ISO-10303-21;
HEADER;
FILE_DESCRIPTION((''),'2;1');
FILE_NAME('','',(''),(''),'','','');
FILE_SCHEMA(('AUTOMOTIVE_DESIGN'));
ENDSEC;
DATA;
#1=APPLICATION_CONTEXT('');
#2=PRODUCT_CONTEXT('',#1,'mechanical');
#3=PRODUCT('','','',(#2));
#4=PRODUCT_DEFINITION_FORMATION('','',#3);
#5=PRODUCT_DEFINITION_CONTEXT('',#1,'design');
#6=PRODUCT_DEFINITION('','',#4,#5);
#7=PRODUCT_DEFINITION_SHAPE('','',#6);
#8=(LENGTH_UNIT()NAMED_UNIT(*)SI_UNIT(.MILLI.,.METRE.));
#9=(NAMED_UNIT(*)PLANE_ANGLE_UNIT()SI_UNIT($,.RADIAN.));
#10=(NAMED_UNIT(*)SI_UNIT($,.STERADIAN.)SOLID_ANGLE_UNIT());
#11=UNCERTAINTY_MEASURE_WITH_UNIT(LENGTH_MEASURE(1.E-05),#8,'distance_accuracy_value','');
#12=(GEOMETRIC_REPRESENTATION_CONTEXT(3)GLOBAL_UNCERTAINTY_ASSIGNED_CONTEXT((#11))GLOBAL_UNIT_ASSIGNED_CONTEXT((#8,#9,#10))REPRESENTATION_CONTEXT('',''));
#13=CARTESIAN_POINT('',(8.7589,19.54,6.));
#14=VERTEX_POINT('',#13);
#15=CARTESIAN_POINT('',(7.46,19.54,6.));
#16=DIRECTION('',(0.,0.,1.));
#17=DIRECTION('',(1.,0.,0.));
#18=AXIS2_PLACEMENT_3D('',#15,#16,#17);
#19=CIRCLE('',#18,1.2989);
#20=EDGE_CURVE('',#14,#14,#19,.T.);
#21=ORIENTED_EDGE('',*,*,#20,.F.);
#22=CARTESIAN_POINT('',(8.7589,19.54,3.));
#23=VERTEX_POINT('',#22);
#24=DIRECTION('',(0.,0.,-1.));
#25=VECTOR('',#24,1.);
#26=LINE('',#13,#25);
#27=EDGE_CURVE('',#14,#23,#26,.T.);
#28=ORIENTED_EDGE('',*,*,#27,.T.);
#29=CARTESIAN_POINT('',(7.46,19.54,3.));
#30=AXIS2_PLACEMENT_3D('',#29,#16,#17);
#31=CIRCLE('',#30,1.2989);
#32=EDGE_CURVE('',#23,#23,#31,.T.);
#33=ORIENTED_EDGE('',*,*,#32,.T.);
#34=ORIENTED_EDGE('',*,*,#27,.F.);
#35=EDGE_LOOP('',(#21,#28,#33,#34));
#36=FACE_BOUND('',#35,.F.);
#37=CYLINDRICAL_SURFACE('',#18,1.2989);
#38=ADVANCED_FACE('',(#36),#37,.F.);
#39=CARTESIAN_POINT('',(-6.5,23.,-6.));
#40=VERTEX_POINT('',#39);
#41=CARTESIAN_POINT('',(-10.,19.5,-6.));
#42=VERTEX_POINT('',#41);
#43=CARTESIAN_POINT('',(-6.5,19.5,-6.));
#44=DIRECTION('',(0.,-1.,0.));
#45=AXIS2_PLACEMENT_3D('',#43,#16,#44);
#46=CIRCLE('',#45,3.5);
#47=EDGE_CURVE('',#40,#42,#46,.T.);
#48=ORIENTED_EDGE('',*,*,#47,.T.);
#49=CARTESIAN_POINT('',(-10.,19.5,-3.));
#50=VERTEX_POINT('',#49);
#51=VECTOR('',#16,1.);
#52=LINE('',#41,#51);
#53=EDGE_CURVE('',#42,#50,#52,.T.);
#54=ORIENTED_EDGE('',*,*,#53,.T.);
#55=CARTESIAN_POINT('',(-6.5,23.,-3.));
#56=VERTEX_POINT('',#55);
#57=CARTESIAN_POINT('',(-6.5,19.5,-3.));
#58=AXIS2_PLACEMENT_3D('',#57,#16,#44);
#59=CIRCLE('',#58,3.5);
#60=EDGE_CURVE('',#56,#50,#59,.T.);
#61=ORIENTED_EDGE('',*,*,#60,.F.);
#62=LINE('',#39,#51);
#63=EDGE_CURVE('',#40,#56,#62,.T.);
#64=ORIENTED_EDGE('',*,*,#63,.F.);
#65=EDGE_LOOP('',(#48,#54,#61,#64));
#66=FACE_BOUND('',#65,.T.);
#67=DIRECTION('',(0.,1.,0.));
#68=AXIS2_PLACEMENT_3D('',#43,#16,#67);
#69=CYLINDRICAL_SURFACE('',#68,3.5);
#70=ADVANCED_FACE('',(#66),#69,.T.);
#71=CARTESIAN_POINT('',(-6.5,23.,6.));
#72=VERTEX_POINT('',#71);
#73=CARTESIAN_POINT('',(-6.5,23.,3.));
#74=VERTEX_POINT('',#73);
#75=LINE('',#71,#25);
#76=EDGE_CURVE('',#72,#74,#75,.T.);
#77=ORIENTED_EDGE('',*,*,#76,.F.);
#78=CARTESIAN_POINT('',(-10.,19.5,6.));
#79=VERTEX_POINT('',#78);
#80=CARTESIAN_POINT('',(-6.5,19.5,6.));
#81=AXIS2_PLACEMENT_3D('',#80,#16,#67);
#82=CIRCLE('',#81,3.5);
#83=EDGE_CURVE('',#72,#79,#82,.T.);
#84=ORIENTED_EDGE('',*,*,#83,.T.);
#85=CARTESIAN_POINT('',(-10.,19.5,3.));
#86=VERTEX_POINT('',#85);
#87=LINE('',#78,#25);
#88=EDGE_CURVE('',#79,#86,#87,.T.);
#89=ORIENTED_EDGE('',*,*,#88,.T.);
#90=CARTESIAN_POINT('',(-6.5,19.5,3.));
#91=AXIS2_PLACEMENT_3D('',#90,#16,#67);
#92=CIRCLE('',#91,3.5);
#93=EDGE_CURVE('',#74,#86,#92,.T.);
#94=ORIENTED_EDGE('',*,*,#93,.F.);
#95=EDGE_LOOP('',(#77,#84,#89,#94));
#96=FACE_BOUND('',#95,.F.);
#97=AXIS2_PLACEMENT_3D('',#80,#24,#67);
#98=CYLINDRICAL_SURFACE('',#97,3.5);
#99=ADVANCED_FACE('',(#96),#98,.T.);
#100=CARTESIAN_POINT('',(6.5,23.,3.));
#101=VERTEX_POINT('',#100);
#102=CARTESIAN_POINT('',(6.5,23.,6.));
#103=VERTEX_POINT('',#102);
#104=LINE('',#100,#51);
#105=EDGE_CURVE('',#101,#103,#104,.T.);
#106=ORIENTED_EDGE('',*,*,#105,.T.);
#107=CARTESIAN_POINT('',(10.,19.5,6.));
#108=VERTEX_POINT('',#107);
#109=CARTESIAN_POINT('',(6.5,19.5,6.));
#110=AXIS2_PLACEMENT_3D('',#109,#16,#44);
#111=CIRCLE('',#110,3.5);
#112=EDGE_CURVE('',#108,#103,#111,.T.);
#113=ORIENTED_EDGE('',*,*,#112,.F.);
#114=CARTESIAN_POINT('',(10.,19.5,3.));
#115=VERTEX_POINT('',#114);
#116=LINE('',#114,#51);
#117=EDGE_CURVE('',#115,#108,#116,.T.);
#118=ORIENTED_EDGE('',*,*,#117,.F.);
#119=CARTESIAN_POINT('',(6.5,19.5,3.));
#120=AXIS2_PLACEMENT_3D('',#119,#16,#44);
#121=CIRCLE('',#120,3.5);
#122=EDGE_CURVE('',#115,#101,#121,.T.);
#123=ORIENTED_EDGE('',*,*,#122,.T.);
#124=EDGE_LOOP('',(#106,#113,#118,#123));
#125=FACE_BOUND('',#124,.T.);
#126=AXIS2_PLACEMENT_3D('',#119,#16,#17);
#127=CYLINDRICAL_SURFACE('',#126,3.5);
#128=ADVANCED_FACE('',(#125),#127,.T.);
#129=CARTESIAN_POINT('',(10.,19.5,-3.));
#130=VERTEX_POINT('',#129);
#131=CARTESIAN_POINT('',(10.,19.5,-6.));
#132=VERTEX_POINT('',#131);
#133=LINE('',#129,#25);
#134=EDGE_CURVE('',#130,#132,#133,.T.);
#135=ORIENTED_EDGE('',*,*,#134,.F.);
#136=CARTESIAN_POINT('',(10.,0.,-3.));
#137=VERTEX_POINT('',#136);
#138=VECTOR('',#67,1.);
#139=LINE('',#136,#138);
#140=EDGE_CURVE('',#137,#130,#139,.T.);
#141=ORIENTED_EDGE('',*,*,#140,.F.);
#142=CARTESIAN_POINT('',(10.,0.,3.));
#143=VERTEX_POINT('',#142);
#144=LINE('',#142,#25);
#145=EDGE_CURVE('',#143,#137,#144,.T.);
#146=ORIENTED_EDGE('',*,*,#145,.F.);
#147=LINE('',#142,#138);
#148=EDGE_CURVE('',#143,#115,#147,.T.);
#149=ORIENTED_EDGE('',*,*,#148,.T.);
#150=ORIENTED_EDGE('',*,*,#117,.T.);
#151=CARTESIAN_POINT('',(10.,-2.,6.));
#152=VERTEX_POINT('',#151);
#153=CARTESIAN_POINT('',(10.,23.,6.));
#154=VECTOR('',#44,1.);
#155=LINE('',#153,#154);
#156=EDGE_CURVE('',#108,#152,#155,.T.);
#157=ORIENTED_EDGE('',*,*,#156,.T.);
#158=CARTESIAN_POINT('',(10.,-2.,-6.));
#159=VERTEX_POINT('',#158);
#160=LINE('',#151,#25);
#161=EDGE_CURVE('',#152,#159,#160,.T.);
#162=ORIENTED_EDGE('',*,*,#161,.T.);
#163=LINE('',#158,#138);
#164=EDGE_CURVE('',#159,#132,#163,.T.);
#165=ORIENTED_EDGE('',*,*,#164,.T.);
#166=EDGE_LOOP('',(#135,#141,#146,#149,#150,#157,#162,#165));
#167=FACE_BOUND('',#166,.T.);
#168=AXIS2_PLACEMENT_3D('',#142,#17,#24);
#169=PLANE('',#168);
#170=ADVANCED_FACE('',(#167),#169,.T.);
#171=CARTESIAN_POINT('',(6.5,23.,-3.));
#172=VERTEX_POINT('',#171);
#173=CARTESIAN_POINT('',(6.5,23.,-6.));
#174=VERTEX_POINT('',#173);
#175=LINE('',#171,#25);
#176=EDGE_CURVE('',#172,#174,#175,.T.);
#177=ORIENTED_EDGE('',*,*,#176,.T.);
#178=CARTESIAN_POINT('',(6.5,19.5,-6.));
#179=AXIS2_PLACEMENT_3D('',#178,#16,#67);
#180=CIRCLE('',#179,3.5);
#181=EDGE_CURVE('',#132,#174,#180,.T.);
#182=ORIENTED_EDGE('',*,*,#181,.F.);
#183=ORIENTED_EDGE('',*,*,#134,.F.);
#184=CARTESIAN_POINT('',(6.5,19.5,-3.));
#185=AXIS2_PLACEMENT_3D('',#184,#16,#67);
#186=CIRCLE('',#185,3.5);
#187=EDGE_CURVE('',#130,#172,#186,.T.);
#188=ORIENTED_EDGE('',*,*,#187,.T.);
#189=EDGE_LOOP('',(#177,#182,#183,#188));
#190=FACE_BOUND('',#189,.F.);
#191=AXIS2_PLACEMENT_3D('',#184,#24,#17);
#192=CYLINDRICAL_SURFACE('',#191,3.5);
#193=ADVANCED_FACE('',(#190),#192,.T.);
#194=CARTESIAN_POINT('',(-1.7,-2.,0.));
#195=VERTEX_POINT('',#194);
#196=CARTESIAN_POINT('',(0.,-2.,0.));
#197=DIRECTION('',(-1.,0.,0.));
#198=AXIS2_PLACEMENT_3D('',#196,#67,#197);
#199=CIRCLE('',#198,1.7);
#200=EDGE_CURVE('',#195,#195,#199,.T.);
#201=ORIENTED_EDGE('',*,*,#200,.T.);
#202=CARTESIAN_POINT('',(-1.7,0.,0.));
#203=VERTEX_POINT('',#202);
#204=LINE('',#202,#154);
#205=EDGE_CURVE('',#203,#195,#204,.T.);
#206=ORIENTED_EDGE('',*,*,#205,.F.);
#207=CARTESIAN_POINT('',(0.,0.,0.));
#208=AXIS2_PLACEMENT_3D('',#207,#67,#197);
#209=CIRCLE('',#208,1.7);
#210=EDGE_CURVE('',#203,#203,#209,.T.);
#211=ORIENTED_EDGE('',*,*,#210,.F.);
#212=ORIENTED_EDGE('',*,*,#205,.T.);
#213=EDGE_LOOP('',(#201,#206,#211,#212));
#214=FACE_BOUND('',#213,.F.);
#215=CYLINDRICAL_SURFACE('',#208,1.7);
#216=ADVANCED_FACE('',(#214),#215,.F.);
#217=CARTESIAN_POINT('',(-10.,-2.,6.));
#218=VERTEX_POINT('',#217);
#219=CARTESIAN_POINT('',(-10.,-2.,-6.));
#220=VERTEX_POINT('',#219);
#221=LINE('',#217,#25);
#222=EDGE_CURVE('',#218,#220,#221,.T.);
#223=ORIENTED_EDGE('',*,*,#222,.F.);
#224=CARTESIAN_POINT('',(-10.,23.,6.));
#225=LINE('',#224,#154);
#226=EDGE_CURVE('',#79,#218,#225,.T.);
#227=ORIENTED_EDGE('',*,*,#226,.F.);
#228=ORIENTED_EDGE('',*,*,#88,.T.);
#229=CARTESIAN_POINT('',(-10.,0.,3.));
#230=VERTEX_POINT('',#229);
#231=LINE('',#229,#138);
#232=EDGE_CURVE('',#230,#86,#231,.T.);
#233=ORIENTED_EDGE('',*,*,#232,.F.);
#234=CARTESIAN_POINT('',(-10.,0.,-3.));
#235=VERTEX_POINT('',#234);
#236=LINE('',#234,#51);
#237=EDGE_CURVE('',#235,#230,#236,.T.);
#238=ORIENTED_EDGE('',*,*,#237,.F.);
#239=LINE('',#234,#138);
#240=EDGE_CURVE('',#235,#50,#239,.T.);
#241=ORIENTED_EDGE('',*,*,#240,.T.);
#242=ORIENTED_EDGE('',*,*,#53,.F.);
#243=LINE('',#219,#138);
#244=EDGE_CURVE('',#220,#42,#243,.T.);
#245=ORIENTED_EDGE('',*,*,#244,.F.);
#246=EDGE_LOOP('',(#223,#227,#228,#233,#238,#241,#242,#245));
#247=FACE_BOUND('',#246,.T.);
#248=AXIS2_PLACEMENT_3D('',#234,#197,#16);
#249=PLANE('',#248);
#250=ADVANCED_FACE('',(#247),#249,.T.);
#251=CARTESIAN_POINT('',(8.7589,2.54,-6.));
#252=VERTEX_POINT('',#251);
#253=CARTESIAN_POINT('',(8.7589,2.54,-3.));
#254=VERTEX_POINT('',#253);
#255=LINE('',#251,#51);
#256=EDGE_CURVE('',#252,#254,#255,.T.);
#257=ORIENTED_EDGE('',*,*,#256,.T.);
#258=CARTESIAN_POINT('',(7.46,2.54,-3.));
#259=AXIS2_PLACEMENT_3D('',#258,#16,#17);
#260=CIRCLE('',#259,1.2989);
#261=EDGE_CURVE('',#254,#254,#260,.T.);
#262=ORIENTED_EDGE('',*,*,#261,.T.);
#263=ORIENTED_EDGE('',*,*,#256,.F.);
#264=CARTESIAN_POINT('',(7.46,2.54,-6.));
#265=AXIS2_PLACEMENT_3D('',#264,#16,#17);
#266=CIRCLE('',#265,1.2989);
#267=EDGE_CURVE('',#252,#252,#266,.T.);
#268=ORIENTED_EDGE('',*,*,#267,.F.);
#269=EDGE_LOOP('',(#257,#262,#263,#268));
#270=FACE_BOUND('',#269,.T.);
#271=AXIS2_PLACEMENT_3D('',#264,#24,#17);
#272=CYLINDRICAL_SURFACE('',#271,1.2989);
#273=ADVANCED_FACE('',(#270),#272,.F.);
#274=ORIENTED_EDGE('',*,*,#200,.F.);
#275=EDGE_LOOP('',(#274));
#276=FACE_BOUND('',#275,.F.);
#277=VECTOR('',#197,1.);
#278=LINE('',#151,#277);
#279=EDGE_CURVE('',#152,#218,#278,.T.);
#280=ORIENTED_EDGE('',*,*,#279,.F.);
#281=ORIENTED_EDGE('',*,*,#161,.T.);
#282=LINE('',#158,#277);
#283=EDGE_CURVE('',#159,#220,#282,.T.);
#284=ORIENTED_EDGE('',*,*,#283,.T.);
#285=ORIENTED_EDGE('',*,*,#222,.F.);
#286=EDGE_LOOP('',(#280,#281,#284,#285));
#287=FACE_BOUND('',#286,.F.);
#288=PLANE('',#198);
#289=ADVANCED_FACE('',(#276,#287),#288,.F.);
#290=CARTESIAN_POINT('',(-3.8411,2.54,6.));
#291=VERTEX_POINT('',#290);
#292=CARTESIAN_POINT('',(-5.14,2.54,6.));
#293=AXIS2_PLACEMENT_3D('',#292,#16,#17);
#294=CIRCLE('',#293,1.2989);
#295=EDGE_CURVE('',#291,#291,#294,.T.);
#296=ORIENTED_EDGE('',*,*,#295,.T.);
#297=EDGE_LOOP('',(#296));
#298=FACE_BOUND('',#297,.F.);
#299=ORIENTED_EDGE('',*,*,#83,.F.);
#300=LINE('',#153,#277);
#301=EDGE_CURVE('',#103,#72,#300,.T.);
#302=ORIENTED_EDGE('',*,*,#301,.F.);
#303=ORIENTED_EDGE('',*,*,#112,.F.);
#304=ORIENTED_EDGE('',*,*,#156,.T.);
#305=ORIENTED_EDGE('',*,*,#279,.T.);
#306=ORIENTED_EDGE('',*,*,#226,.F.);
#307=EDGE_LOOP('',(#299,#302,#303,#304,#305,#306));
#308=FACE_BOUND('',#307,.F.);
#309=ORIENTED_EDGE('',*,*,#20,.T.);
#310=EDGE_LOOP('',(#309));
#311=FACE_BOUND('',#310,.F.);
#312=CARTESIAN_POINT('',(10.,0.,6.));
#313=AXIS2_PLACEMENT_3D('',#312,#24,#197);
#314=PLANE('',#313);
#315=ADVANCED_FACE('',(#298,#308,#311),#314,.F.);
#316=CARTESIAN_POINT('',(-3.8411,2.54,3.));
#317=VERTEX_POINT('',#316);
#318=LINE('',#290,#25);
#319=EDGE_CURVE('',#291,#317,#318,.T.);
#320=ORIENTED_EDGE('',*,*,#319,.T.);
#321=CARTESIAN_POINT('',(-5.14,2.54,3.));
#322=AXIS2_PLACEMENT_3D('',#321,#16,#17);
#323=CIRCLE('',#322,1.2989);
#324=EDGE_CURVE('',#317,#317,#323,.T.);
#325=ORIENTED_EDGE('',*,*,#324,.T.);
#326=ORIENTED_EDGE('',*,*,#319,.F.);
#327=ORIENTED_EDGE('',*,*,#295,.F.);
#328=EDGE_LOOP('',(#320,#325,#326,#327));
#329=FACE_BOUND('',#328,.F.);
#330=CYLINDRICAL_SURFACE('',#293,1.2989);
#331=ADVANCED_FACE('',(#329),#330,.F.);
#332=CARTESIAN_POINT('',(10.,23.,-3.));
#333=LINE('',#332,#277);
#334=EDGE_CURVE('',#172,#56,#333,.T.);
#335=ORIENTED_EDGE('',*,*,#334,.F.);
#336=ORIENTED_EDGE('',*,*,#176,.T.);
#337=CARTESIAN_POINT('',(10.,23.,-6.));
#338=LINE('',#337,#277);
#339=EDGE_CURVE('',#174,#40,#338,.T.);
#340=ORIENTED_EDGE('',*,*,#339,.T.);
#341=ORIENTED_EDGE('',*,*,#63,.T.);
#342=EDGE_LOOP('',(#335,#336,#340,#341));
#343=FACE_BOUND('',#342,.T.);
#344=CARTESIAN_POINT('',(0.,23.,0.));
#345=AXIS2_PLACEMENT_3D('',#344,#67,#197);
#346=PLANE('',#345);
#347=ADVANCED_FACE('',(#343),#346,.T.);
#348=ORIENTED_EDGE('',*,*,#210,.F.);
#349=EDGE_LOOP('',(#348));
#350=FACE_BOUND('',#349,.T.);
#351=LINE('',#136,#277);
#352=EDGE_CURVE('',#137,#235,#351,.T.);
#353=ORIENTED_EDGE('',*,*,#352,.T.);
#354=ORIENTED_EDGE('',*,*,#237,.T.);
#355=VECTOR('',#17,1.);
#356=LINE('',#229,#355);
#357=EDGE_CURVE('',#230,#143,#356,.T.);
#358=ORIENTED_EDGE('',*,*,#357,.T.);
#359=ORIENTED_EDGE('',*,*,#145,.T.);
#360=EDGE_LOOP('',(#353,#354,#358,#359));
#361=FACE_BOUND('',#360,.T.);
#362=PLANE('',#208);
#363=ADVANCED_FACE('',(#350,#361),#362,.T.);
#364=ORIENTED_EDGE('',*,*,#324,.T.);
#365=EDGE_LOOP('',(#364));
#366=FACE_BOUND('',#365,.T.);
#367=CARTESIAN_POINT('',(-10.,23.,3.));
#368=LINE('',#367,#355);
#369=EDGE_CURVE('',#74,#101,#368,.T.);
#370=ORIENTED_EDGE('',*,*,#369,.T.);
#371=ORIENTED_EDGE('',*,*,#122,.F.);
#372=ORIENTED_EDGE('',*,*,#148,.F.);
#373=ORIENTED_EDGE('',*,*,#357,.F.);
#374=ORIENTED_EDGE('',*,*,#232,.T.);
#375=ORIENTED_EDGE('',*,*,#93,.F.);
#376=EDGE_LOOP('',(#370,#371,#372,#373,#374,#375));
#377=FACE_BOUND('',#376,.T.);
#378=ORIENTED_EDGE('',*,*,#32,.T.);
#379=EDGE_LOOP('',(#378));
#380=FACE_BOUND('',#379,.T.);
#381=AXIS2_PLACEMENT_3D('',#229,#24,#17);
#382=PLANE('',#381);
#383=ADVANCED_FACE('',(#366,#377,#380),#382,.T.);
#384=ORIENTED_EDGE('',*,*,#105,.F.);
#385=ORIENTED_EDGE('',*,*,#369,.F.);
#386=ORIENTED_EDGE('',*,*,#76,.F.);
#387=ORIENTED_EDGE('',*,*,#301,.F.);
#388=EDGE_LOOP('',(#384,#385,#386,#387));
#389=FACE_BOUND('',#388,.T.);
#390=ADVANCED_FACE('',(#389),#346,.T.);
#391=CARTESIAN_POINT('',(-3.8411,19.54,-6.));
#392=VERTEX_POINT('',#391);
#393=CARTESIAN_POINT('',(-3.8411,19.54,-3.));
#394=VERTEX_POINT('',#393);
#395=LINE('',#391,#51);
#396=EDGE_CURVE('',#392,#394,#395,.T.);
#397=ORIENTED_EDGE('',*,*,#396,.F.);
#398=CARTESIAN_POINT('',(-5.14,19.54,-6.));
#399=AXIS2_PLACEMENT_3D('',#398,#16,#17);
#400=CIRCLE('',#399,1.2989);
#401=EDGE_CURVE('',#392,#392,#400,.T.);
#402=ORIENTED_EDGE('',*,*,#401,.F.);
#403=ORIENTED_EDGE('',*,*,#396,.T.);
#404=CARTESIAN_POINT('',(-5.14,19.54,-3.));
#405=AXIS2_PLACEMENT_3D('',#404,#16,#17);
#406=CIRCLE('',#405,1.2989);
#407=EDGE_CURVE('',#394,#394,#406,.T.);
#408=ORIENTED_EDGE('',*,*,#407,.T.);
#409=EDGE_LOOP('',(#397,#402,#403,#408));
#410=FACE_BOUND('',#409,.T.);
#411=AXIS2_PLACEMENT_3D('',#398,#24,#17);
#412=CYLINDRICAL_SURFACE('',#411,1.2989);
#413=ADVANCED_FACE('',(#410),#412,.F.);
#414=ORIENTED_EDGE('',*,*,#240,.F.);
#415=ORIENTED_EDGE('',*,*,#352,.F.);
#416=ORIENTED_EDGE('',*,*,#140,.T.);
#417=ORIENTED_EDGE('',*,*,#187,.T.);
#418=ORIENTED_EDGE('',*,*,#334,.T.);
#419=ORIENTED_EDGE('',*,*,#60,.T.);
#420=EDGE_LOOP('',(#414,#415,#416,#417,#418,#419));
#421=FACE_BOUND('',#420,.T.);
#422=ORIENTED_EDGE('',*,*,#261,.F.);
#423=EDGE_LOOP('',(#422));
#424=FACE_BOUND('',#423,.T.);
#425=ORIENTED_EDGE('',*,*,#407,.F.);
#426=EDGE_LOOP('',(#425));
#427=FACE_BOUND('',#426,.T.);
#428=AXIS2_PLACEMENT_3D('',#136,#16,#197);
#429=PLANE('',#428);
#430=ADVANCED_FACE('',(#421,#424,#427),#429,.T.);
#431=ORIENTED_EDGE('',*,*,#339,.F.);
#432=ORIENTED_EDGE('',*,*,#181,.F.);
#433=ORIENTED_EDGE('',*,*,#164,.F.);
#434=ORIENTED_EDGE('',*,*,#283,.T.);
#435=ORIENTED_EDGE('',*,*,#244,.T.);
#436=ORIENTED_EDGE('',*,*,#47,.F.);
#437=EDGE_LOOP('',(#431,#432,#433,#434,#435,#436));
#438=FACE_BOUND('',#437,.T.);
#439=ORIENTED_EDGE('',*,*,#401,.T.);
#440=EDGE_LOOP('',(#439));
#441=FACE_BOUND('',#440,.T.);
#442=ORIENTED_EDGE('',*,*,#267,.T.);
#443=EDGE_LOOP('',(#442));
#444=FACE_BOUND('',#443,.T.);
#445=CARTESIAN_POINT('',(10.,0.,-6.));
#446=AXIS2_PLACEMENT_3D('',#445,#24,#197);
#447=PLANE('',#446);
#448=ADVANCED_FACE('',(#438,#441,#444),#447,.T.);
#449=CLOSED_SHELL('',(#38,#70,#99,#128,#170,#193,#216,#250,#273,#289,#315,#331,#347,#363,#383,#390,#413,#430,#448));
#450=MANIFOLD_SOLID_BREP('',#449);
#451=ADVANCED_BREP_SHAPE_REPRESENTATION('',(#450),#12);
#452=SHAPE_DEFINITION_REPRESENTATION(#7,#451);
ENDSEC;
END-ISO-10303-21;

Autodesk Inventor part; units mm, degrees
ref_plane "YZ Plane" through (0, 0, 0) normal (1, 0, 0) x (0, 1, 0)
ref_plane "XZ Plane" through (0, 0, 0) normal (0, 1, 0) x (-1, 0, 0)
ref_plane "XY Plane" through (0, 0, 0) normal (0, 0, 1) x (1, 0, 0)
sketch "Boceto1" plane through (0, 0, 0) normal (0, 1, 0) x (-1, 0, 0)
  circle A0 centre (0, 0) radius 1.7
  line L0 (-10, -3) -> (10, -3)
  line L1 (10, -3) -> (10, 3)
  line L2 (10, 3) -> (-10, 3)
  line L3 (-10, 3) -> (-10, -3)
  line L4 (-10, -3) -> (10, 3) construction
  line L5 (10, -3) -> (-10, 3) construction
  line L6 (10, 3) -> (-10, 3)
  line L7 (-10, 3) -> (-10, 6)
  line L8 (-10, 6) -> (10, 6)
  line L9 (10, 6) -> (10, 3)
  line L10 (10, -3) -> (-10, -3)
  line L11 (-10, -3) -> (-10, -6)
  line L12 (-10, -6) -> (10, -6)
  line L13 (10, -6) -> (10, -3)
  dimension "d0" = 3.4
  dimension "d1" = 20
  dimension "d2" = 6
  dimension "d3" = 3
  dimension "d4" = 3
extrude "Extrusión1" add sketch "Boceto1" against normal blind 2 contours L3 L2 L1 L0
extrude "Extrusión2" add sketch "Boceto1" along normal blind 23 contours L0 L13 L12 L11 | L7 L8 L9 L2
sketch "Boceto2" plane through (-10, 0, 6) normal (0, 0, 1) x (1, 0, 0)
  line L0 (0, 0) -> (20, 0) projected
  line L1 (20, 0) -> (20, 23) projected
  line L2 (0, 23) -> (20, 23) projected
  line L3 (0, 0) -> (0, 23) projected
  circle A0 centre (17.46, 2.54) radius 1.2989
  circle A1 centre (17.46, 19.54) radius 1.2989
  circle A2 centre (4.86, 2.54) radius 1.2989
  circle A3 centre (4.86, 19.54) radius 1.2989
  point P0 (10, 0)
  dimension "d9" = 2.54
  dimension "d10" = 2.54
  dimension "d13" = 17
  dimension "d16" = 12.6
extrude "Extrusión3" cut sketch "Boceto2" against normal up to surface (3 mm away) contours A1 | A2
extrude "Extrusión4" add sketch "Boceto1" against normal blind 2 contours L0 L13 L12 L11 | L7 L8 L9 L2
extrude "Extrusión5" cut sketch "Boceto2" along normal up to surface (3 mm away) from surface at -12 contours A0 | A3
fillet "Empalme1" radius 3.5 4 edges at (-10, 23, 4.5) (-10, 23, -4.5) (10, 23, -4.5) (10, 23, 4.5)
properties part number "Sujetador_radar"
